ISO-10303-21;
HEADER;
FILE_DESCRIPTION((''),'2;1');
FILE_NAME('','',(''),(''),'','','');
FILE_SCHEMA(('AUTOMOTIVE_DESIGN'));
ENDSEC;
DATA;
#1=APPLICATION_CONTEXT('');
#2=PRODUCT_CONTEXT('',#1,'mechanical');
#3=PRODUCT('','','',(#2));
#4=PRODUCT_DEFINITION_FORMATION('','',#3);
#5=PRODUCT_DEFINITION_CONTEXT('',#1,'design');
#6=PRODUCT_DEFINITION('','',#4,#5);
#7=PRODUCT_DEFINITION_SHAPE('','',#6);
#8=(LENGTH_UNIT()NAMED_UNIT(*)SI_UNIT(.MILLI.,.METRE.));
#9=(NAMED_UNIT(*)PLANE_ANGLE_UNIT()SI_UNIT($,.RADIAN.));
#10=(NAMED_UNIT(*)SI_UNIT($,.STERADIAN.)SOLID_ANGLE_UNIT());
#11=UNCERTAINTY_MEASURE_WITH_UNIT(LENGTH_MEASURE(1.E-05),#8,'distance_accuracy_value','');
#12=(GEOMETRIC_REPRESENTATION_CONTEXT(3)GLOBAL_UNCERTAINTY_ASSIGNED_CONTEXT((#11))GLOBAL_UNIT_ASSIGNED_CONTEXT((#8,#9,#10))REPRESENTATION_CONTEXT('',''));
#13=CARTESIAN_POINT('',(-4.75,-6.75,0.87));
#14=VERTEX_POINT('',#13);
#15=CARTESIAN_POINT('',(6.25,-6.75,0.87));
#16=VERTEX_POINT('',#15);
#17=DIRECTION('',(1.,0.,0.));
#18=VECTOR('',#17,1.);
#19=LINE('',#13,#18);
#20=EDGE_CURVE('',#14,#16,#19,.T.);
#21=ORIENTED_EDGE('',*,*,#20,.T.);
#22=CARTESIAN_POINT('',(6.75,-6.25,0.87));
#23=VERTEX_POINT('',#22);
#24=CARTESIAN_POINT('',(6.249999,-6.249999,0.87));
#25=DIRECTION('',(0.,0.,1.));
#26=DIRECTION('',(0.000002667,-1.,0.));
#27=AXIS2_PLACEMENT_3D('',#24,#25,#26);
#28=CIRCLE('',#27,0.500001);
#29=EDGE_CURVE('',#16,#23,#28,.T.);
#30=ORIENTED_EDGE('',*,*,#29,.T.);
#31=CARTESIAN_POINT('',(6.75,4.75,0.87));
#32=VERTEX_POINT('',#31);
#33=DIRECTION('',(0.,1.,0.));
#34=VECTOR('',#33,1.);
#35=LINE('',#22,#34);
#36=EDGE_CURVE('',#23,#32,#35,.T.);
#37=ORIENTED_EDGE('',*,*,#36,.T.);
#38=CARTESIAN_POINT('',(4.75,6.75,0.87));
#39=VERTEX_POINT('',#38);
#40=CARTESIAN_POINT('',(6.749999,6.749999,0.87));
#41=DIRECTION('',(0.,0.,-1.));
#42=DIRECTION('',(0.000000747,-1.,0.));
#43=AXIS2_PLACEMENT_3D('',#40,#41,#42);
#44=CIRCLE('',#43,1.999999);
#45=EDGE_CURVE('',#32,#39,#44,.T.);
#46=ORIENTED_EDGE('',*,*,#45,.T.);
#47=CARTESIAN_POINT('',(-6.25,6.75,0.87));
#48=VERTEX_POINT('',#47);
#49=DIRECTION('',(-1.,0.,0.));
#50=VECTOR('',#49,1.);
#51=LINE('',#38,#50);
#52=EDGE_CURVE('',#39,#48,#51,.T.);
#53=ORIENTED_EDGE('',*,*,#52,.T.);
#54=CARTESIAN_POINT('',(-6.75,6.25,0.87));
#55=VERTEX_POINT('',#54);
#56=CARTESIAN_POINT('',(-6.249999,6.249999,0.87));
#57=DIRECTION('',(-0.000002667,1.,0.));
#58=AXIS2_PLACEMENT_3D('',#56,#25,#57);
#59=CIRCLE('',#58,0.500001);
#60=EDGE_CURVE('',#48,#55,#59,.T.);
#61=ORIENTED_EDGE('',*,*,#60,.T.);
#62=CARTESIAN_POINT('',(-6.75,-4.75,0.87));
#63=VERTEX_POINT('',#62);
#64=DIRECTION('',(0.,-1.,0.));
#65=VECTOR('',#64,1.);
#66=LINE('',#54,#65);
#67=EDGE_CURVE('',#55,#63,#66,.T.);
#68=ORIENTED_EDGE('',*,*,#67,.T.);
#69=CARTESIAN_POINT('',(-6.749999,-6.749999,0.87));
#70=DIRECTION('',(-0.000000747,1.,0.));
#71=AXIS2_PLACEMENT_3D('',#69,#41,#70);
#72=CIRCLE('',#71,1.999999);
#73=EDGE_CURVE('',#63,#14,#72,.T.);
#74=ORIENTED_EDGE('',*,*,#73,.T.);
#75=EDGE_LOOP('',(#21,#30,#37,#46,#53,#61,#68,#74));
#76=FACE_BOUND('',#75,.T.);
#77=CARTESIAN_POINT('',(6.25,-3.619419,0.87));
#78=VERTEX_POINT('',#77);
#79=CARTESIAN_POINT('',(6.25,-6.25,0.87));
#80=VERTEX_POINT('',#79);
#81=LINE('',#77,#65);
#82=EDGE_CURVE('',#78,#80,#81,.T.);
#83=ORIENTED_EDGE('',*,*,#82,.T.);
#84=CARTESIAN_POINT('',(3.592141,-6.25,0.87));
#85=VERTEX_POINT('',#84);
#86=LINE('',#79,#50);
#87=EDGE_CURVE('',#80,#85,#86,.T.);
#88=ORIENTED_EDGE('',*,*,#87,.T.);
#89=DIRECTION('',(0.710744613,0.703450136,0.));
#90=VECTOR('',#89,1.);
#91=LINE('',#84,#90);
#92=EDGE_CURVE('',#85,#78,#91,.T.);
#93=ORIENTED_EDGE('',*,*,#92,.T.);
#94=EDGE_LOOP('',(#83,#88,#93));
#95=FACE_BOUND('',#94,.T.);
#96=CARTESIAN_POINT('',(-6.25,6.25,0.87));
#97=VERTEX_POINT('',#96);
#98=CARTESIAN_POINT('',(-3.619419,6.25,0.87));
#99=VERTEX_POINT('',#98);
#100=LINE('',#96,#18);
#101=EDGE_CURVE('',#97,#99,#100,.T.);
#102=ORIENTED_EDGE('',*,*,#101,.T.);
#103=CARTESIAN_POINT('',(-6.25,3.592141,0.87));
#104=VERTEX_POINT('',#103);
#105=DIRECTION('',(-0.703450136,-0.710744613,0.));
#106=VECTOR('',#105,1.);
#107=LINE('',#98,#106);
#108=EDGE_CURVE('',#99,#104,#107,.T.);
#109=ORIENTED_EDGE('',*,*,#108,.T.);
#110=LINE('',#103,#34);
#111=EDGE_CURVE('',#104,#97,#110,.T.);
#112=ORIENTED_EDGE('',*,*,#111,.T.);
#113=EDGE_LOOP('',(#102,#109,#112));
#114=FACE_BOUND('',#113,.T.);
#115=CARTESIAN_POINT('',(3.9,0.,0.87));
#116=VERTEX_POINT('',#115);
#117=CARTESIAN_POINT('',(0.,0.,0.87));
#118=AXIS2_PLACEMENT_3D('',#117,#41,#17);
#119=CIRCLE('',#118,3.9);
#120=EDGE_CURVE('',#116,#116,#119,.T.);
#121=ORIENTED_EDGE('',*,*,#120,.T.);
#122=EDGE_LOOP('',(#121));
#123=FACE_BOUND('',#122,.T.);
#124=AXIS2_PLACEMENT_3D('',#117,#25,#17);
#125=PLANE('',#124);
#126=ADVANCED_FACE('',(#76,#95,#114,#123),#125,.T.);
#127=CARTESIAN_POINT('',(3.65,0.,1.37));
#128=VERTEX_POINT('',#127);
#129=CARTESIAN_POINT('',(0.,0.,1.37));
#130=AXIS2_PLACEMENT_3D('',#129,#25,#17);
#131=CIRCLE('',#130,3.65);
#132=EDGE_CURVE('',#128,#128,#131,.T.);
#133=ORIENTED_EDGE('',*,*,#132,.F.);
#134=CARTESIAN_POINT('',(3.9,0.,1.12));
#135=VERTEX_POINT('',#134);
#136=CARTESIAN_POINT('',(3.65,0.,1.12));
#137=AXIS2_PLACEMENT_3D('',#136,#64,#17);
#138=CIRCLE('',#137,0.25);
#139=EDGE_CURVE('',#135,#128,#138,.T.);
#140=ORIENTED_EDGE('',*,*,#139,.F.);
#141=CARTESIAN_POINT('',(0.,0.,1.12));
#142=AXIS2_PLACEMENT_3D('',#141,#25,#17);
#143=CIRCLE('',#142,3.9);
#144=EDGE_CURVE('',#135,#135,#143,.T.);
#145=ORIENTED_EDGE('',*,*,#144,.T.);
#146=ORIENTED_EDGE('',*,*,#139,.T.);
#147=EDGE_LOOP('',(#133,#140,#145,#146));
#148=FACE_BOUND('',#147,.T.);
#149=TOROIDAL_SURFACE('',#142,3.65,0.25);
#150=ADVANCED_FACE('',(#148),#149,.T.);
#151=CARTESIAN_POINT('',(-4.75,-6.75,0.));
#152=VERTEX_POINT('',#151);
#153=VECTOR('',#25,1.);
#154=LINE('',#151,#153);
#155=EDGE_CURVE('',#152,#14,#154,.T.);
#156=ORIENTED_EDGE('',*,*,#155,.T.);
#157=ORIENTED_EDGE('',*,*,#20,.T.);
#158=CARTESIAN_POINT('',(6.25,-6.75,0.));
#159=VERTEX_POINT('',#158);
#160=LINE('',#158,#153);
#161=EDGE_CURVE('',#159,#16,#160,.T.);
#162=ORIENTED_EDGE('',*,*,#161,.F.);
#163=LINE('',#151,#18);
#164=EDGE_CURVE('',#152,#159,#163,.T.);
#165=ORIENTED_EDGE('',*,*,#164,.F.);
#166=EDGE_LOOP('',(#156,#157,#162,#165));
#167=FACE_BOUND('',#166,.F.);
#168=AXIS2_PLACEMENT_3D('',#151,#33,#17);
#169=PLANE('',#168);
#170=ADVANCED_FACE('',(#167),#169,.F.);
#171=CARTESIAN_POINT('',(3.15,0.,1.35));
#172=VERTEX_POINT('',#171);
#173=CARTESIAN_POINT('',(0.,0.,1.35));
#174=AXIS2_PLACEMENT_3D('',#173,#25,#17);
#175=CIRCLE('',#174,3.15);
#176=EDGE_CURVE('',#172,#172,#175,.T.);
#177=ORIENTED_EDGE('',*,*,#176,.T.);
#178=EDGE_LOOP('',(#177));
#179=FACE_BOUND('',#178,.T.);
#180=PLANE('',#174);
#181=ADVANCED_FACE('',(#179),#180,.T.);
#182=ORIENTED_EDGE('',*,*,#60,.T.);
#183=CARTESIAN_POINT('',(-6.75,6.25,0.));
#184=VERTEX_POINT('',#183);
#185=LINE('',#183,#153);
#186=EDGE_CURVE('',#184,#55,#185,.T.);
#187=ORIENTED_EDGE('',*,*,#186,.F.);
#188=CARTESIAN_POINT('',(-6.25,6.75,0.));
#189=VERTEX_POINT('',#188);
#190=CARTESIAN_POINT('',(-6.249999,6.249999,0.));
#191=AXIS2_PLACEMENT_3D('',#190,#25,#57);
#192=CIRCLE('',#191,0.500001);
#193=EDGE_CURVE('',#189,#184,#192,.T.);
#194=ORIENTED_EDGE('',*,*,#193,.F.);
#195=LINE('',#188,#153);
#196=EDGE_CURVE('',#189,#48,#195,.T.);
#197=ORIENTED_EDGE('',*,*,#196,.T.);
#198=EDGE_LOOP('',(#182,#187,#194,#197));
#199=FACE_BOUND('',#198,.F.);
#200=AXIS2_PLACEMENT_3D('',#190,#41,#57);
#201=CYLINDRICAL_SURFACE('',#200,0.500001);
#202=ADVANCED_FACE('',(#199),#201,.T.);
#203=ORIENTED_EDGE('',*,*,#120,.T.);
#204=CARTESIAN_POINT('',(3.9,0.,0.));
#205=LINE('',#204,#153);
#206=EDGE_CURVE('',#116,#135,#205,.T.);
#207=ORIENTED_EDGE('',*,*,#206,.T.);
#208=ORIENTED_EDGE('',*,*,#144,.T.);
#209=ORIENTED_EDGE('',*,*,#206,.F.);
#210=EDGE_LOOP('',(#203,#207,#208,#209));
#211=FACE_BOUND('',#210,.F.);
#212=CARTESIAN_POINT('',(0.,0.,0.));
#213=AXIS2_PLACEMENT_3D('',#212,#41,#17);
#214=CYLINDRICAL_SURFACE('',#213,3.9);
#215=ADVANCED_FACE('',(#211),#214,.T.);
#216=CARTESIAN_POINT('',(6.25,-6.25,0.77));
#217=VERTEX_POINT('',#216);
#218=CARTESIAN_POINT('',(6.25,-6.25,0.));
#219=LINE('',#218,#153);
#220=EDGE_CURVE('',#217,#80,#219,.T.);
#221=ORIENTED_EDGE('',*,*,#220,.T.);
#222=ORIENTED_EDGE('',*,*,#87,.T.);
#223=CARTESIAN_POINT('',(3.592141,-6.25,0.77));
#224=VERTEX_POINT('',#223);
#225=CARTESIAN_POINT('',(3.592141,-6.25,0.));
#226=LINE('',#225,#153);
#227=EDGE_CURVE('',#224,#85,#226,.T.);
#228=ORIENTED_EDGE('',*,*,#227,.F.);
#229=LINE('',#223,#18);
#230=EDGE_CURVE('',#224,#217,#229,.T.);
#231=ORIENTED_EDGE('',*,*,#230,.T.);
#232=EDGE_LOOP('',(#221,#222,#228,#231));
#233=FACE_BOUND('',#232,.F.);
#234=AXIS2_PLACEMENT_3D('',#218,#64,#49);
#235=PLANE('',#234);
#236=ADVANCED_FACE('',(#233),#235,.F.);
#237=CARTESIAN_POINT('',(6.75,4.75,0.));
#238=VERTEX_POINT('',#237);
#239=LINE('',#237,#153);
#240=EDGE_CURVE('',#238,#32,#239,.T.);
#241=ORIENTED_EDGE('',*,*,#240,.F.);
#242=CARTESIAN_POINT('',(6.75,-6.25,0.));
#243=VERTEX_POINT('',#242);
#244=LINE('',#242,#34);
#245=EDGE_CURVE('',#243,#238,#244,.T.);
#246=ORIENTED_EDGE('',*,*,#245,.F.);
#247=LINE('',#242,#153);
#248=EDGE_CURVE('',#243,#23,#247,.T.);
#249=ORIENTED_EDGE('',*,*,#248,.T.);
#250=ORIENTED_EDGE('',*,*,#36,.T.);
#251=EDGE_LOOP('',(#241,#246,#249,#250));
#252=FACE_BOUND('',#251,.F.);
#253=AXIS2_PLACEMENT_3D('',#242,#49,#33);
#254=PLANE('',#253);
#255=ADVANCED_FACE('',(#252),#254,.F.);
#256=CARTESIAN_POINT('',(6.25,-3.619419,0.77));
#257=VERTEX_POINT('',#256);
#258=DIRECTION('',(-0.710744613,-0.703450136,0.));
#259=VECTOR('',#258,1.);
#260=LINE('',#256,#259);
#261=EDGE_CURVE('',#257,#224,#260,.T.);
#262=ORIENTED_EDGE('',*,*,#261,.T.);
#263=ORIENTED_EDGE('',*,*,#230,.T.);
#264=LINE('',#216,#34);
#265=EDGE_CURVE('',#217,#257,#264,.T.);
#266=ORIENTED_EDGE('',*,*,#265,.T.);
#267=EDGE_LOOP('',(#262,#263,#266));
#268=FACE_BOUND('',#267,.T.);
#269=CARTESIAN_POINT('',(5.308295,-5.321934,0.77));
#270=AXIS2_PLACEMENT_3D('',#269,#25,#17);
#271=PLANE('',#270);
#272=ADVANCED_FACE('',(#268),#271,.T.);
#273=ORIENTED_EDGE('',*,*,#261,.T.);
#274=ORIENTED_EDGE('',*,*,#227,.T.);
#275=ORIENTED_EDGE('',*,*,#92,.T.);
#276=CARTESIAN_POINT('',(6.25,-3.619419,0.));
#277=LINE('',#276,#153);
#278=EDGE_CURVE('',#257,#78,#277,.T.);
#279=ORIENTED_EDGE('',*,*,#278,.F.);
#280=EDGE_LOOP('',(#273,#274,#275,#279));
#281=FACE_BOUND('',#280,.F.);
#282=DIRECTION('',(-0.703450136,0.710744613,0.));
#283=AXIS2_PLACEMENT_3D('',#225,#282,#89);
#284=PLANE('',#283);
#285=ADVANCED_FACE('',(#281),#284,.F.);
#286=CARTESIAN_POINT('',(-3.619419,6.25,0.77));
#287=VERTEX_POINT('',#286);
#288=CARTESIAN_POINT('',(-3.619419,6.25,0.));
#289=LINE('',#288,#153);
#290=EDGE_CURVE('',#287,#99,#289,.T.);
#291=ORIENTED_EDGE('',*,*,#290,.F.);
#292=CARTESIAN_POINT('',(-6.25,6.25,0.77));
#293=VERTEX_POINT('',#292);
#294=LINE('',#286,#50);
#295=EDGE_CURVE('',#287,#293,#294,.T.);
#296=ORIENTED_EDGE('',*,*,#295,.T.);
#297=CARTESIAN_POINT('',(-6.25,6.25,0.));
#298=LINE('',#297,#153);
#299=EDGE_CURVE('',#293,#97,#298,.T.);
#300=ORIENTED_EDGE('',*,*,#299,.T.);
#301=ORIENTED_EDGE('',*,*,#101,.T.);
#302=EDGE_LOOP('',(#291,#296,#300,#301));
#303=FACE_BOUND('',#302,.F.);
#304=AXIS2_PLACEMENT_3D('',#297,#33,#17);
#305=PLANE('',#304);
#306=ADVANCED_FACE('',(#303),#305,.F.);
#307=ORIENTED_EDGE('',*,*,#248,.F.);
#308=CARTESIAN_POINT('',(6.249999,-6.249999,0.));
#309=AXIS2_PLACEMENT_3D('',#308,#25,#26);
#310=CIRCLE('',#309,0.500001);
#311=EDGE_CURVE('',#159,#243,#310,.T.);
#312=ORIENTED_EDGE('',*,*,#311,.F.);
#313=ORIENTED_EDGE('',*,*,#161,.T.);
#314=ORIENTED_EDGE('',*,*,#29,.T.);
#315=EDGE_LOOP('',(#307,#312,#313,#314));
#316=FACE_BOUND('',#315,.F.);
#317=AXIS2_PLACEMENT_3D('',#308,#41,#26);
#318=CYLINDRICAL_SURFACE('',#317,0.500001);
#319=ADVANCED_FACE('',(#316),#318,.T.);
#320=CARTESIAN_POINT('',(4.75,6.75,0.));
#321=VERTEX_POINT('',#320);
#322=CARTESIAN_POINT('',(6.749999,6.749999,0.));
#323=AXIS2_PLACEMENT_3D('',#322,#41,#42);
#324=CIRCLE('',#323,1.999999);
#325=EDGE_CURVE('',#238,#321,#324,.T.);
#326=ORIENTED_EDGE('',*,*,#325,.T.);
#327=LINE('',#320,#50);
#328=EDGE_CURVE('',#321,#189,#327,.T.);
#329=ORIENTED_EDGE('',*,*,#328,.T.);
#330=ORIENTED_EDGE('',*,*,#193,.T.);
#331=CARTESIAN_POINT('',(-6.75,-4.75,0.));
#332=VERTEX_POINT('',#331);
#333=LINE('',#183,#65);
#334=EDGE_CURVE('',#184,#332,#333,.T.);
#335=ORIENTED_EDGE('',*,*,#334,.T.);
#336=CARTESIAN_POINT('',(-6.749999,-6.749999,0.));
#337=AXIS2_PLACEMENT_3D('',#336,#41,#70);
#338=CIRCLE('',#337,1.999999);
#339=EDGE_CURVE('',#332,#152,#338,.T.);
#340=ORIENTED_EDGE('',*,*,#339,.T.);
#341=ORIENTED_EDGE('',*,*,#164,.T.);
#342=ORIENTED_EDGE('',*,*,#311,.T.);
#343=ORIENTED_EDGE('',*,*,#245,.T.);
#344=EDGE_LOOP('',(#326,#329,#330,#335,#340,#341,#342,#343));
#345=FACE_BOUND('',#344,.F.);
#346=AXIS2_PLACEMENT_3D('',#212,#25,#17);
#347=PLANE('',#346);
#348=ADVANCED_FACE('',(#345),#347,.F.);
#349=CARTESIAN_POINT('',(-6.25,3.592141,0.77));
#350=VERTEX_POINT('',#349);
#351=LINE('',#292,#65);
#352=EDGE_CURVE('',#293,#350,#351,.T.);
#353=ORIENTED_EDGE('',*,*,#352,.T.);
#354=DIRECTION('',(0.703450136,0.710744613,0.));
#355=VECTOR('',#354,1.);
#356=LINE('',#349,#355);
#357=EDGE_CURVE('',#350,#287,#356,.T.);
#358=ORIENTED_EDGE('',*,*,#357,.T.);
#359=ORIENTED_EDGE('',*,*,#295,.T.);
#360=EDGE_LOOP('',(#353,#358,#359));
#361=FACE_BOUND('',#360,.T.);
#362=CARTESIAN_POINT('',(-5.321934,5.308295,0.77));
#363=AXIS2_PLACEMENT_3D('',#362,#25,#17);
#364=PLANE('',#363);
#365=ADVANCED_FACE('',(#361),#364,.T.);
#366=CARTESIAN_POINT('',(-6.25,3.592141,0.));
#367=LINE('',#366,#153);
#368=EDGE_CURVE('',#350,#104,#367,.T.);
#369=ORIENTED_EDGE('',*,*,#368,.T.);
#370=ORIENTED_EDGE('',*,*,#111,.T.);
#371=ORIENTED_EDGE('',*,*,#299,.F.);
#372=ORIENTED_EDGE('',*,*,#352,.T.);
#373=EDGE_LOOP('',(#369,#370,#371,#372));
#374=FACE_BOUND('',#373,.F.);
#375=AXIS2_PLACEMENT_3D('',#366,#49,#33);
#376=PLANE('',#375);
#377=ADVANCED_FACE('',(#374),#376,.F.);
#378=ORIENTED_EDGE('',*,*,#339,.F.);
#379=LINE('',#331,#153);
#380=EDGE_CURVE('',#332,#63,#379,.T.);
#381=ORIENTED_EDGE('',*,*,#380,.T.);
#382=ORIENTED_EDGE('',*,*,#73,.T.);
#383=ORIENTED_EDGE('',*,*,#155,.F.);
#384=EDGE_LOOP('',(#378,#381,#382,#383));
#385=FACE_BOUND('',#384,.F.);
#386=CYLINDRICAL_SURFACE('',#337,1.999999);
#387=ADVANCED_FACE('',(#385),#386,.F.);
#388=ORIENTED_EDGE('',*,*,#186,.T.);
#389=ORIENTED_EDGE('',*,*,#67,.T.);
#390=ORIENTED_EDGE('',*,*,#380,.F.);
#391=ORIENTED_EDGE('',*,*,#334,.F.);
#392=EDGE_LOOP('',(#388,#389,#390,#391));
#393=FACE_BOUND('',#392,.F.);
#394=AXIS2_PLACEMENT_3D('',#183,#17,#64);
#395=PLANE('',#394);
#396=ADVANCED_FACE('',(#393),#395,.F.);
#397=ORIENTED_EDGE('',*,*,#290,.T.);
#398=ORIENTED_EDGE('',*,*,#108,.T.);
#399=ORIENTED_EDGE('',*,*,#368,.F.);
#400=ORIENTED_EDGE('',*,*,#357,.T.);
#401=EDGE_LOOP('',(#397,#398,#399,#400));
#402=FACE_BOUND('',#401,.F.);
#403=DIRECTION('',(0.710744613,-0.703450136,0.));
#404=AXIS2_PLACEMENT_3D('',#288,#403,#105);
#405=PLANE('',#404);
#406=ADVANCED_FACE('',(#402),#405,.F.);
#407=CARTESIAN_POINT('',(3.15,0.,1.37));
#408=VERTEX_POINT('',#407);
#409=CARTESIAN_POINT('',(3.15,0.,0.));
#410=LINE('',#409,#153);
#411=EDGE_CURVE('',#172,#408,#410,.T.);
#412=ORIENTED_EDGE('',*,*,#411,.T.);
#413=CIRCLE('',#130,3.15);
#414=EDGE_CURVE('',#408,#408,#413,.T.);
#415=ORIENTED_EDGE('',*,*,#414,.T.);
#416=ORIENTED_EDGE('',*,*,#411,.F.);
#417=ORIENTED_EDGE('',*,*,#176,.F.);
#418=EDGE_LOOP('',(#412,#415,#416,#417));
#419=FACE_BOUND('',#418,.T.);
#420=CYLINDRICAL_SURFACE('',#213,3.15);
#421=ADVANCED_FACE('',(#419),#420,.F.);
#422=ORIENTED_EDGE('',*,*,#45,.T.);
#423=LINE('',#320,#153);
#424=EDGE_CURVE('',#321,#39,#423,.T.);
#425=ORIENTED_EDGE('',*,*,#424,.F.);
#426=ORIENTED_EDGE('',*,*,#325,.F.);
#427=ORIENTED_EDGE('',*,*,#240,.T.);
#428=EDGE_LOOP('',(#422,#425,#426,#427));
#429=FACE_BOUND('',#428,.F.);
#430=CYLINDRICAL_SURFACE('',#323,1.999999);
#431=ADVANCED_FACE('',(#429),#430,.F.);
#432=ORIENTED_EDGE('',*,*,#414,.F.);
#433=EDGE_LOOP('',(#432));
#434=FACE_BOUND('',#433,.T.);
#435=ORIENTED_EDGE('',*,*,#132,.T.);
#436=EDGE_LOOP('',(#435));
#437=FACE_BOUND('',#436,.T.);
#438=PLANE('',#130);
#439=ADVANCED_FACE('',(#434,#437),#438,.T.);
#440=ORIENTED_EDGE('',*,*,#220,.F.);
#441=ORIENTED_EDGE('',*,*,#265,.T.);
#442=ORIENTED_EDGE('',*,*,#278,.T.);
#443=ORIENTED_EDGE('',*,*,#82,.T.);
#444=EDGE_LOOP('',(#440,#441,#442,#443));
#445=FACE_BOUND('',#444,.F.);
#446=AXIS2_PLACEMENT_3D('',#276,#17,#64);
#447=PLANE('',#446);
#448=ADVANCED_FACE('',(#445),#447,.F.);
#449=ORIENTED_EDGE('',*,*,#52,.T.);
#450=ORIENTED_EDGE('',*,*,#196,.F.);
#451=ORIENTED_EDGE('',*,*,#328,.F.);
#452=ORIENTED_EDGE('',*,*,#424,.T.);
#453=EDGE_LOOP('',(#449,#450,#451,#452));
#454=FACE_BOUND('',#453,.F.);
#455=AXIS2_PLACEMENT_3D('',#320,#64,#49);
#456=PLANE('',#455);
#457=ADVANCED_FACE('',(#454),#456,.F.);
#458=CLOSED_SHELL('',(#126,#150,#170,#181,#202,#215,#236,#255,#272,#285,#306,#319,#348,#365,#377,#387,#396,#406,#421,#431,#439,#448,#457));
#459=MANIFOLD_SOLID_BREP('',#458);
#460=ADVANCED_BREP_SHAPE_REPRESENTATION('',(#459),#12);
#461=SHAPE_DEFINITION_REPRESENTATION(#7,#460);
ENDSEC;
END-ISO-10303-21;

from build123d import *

# Parameters (mm, degrees)
F0_R     = 3.9
F0_R_2   = 3.15
F1_DEPTH = 0.87
F2_DEPTH = 0.77
F3_DEPTH = 1.37
F4_DEPTH = 1.35
F5_R     = 0.25


with BuildPart() as f1:
    # F0 (on Top) → F1 (new body)
    with BuildSketch(Plane.XY):
        with BuildLine():
            Line((-4.75, -6.75), (6.25, -6.75))
            ThreePointArc((6.25, -6.75), (6.603553, -6.603553), (6.75, -6.25))
            Line((6.75, -6.25), (6.75, 4.75))
            ThreePointArc((6.75, 4.75), (5.335786, 5.335786), (4.75, 6.75))
            Line((4.75, 6.75), (-6.25, 6.75))
            ThreePointArc((-6.25, 6.75), (-6.603553, 6.603553), (-6.75, 6.25))
            Line((-6.75, 6.25), (-6.75, -4.75))
            ThreePointArc((-6.75, -4.75), (-5.335786, -5.335786), (-4.75, -6.75))
        make_face()
        Polygon((6.25, -6.25), (3.592141, -6.25), (6.25, -3.619419), align=None, mode=Mode.SUBTRACT)
        Polygon((-6.25, 3.592141), (-6.25, 6.25), (-3.619419, 6.25), align=None, mode=Mode.SUBTRACT)
        Circle(F0_R, mode=Mode.SUBTRACT)
        Circle(F0_R)
        Circle(F0_R_2, mode=Mode.SUBTRACT)
        Circle(F0_R_2)
    extrude(amount=F1_DEPTH)

    # F0 (on Top) → F2 (join)
    with BuildSketch(Plane.XY):
        Polygon((-3.619419, 6.25), (-6.25, 6.25), (-6.25, 3.592141), align=None)
        Polygon((6.25, -3.619419), (3.592141, -6.25), (6.25, -6.25), align=None)
    extrude(amount=F2_DEPTH)

    # F0 (on Top) → F3 (join)
    with BuildSketch(Plane.XY):
        Circle(F0_R)
        Circle(F0_R_2, mode=Mode.SUBTRACT)
    extrude(amount=F3_DEPTH)

    # F0 (on Top) → F4 (join)
    with BuildSketch(Plane.XY):
        Circle(F0_R_2)
    extrude(amount=F4_DEPTH)

    # F5
    f5_edges = [f1.edges().sort_by_distance(p)[0] for p in [
        (-3.9, 0, 1.37),
    ]]
    fillet(f5_edges, radius=F5_R)


solid = f1.part
